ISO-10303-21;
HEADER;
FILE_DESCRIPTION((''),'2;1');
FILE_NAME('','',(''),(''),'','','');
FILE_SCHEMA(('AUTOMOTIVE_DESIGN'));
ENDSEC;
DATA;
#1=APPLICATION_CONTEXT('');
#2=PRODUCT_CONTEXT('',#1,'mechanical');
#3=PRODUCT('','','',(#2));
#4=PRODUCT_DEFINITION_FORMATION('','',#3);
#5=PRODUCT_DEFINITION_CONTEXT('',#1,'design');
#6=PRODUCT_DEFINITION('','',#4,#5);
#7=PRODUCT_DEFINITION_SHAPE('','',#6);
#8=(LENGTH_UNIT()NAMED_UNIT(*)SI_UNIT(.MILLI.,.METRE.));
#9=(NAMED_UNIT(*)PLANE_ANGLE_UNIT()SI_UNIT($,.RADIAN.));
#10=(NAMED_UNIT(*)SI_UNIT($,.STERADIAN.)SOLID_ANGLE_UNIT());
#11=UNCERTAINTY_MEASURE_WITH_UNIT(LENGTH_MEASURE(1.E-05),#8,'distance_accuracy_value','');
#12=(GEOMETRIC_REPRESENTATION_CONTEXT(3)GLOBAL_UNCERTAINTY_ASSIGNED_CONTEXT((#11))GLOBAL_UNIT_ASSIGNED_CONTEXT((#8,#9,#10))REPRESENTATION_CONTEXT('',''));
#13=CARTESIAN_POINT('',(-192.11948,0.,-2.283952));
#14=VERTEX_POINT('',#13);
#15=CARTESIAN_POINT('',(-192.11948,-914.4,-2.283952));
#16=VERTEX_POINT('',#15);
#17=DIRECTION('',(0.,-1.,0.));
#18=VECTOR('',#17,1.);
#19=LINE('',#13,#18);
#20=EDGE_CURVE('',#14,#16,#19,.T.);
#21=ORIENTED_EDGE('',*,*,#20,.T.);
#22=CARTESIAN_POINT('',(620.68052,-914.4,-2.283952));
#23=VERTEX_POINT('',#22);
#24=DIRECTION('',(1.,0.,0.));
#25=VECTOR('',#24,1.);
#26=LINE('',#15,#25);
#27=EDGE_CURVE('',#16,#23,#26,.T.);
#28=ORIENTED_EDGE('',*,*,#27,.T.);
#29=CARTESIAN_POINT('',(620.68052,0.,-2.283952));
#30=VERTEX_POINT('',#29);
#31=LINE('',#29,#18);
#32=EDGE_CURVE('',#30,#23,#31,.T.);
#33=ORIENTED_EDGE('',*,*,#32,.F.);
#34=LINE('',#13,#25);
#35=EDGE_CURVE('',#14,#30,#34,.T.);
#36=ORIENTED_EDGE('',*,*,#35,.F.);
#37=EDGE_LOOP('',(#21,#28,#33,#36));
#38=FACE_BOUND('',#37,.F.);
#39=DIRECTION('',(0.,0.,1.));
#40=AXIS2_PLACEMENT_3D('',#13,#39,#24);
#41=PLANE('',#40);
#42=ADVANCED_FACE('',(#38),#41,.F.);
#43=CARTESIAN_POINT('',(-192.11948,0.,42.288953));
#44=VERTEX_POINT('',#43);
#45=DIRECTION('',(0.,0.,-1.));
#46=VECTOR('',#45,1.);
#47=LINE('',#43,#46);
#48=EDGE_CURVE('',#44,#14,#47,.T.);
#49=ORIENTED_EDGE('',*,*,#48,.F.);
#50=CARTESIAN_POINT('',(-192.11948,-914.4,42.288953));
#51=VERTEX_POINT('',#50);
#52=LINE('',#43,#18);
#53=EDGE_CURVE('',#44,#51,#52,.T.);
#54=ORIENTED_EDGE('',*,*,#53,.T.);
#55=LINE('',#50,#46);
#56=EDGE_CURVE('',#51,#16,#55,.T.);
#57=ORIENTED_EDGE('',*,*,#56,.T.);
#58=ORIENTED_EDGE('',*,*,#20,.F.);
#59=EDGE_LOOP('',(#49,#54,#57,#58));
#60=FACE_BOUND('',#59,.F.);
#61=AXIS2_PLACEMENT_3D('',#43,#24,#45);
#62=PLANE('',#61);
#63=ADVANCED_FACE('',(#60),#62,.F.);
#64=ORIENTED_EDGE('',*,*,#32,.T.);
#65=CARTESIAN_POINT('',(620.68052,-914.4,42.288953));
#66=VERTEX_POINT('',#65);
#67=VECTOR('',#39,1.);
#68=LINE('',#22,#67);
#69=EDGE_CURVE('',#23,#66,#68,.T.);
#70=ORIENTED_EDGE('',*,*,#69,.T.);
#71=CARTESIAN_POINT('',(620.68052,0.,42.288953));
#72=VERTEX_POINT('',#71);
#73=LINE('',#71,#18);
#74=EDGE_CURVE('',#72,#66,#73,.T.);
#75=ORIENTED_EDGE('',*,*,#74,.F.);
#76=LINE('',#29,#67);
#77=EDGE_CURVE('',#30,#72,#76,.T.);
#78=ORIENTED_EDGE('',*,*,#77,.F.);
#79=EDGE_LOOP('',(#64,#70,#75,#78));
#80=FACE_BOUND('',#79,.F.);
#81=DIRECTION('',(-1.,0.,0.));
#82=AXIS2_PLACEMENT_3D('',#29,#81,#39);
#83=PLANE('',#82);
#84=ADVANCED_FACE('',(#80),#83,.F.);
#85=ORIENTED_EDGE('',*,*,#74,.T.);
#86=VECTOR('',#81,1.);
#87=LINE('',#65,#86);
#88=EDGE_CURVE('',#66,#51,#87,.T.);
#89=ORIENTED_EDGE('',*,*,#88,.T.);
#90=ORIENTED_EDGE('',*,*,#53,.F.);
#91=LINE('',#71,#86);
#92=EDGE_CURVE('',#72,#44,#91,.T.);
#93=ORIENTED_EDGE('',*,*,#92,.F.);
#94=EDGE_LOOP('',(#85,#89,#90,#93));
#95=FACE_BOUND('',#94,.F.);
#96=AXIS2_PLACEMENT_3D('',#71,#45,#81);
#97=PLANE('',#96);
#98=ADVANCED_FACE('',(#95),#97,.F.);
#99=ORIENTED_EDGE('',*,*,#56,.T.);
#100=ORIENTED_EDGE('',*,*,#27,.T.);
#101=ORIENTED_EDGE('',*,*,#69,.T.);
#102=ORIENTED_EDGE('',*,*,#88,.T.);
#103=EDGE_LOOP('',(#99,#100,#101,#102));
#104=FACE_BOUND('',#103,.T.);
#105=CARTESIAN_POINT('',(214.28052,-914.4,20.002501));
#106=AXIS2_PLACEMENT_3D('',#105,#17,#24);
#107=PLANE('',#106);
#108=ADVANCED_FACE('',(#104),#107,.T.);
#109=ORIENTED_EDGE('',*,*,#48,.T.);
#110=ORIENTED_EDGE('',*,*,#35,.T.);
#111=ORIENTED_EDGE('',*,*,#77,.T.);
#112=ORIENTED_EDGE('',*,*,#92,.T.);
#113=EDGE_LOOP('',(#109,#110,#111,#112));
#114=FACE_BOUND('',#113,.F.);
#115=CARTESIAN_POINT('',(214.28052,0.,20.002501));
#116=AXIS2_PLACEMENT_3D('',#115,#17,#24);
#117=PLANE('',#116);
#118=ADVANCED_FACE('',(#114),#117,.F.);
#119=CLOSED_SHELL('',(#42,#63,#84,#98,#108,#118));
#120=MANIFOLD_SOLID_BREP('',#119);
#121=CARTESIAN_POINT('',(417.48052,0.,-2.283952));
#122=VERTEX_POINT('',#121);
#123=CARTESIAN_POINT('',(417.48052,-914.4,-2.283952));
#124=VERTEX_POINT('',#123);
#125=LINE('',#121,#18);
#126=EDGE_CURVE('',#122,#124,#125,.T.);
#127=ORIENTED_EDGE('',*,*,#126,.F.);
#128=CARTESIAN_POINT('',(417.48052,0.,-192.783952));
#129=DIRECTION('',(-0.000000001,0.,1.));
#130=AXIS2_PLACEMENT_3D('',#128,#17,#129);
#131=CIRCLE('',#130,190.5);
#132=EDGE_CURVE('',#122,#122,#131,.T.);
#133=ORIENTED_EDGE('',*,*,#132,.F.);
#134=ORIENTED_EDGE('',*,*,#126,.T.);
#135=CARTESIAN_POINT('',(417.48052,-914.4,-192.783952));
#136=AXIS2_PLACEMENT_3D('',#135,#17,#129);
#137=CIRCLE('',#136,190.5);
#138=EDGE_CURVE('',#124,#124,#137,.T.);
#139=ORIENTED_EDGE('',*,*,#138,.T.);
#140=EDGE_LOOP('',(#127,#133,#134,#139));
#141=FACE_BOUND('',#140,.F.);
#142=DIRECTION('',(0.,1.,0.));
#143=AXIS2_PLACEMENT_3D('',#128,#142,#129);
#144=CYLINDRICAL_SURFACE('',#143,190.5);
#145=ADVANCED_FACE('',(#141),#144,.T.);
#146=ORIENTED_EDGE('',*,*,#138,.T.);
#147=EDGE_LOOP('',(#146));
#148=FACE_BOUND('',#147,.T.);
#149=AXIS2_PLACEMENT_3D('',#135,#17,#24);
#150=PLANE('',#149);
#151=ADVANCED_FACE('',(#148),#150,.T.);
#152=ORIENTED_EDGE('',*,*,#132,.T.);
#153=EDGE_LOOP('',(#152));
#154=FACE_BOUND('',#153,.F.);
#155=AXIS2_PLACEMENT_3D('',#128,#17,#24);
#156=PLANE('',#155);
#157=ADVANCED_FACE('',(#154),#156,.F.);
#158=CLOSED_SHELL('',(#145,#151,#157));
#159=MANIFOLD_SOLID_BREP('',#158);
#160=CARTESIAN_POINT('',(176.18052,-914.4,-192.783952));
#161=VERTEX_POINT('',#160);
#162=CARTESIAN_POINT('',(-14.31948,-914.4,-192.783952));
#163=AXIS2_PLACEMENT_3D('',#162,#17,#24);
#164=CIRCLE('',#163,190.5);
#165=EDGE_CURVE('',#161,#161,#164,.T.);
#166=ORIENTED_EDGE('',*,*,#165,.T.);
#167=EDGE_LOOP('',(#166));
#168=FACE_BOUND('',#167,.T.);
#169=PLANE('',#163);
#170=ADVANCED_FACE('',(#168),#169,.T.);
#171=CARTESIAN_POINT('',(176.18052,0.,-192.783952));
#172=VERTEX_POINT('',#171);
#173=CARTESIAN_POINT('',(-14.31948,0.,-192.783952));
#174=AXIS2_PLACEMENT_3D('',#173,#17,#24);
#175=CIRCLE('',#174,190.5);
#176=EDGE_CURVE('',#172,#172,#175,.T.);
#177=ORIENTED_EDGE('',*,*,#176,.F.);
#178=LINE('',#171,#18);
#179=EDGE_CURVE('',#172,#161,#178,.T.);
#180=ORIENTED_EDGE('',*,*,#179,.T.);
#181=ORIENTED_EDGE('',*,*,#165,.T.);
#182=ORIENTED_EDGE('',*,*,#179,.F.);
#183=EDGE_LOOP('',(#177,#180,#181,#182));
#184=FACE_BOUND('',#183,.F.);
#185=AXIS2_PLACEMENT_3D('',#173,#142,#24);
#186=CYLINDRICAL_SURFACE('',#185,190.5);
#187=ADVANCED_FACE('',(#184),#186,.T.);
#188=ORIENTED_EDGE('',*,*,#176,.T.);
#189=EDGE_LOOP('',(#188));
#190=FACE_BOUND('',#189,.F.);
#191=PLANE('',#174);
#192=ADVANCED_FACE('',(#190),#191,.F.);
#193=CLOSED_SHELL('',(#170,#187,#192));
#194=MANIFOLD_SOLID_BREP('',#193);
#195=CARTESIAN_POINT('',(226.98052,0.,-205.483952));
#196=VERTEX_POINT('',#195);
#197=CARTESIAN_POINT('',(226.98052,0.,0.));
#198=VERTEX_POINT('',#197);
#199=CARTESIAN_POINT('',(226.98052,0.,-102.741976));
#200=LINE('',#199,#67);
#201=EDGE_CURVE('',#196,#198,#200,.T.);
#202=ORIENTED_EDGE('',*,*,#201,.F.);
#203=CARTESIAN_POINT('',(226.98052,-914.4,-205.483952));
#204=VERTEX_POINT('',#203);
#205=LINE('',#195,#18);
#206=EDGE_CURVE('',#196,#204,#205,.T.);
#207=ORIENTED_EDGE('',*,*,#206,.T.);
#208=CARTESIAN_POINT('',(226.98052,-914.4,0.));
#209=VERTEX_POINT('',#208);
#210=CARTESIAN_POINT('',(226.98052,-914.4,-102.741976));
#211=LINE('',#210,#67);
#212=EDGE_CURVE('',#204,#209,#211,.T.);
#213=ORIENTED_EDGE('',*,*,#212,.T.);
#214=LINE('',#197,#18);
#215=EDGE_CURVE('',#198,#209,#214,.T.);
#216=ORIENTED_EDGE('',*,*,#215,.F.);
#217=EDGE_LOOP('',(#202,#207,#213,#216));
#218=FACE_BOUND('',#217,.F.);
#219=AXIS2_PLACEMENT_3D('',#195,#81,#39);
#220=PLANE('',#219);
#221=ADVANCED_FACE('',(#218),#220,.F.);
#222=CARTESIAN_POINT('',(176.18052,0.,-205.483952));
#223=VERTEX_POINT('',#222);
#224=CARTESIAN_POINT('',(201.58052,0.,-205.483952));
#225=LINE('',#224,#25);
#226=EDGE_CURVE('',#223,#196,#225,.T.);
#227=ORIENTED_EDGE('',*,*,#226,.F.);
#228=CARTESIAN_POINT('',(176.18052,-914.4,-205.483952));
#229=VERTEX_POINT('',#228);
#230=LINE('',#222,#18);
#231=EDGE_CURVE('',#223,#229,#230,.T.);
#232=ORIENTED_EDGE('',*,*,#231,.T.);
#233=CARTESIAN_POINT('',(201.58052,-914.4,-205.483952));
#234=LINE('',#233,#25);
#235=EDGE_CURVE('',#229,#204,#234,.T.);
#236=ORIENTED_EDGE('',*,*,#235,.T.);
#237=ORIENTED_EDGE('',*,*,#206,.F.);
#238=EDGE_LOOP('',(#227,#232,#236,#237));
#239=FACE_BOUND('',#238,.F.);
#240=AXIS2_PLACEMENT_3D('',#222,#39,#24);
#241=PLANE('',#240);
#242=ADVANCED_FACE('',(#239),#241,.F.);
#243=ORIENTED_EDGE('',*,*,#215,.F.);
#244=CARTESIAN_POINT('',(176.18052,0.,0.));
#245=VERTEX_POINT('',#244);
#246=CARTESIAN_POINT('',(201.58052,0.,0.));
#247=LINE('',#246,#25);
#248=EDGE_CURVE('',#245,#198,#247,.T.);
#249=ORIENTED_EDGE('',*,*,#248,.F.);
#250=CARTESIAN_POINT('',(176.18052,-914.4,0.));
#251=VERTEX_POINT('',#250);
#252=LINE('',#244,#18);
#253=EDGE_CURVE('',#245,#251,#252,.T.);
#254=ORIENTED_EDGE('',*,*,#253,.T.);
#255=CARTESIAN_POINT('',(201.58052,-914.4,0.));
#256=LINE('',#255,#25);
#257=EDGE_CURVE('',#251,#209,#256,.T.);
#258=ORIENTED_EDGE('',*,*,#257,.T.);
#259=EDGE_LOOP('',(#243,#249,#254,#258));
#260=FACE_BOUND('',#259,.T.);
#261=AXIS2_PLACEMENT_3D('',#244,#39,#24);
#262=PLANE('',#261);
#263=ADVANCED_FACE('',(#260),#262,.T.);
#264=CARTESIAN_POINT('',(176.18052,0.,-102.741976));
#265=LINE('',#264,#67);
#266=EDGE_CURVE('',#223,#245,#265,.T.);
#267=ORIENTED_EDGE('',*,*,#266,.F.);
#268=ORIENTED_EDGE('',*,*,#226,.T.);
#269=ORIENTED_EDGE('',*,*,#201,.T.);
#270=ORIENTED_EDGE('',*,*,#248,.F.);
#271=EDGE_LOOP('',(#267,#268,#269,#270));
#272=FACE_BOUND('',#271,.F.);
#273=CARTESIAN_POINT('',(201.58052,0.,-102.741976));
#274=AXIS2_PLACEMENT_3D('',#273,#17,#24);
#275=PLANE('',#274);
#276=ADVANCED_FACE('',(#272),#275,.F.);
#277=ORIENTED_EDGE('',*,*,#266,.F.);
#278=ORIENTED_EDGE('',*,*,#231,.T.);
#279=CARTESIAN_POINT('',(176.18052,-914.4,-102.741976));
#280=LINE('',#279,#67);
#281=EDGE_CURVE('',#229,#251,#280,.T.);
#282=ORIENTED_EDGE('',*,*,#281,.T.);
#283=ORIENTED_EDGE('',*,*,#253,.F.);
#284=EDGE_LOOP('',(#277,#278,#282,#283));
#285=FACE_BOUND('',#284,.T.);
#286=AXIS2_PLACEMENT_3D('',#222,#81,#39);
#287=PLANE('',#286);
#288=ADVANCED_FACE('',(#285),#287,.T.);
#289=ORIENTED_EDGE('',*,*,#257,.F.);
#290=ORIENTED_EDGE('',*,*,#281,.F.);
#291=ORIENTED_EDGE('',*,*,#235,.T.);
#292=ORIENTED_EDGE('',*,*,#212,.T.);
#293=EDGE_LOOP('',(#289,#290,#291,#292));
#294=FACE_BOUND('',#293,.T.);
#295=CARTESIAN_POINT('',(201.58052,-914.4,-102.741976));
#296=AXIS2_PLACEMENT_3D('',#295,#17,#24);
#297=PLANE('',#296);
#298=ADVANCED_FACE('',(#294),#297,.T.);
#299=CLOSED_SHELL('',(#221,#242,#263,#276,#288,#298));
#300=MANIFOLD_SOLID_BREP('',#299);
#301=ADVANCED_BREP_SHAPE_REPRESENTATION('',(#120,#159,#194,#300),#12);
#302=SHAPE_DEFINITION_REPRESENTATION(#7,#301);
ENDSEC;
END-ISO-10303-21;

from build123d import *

# Parameters (mm, degrees)
F3_DEPTH = 914.4
F2_R     = 190.5
F1_W     = 50.8
F1_H     = 205.4839522385


with BuildPart() as f3:
    # F0 (on Front) → F3 (new body)
    with BuildSketch(Plane.XZ):
        with BuildLine():
            ThreePointArc((607.9805202276, -192.7839522385), (552.1843620024, -58.0801103812), (417.4805201111, -2.2839522385))
            ThreePointArc((417.4805201111, -2.2839522385), (282.7766784527, -327.4877940957), (607.9805202276, -192.7839522385))
        make_face()
    extrude(amount=F3_DEPTH)


with BuildPart() as f3b:
    # F0 (on Front) → F3, piece 2 (new body)
    with BuildSketch(Plane.XZ):
        Polygon((620.6805202276, 42.2889534779), (-192.1194797724, 42.2889534779), (-192.1194797724, -2.2839522385), (417.4805201111, -2.2839522385), (620.6805202276, -2.2839522385), align=None)
    extrude(amount=F3_DEPTH)


with BuildPart() as f3c:
    # F2 (on Front) → F3, piece 3 (new body)
    with BuildSketch(Plane.XZ):
        with Locations((-14.3194797724, -192.7839522385)):
            Circle(F2_R)
    extrude(amount=F3_DEPTH)


with BuildPart() as f3d:
    # F1 (on Front) → F3, piece 4 (new body)
    with BuildSketch(Plane.XZ):
        with Locations((201.5805202276, -102.7419761192)):
            Rectangle(F1_W, F1_H)
    extrude(amount=F3_DEPTH)


solid = Compound([f3.part, f3b.part, f3c.part, f3d.part])
